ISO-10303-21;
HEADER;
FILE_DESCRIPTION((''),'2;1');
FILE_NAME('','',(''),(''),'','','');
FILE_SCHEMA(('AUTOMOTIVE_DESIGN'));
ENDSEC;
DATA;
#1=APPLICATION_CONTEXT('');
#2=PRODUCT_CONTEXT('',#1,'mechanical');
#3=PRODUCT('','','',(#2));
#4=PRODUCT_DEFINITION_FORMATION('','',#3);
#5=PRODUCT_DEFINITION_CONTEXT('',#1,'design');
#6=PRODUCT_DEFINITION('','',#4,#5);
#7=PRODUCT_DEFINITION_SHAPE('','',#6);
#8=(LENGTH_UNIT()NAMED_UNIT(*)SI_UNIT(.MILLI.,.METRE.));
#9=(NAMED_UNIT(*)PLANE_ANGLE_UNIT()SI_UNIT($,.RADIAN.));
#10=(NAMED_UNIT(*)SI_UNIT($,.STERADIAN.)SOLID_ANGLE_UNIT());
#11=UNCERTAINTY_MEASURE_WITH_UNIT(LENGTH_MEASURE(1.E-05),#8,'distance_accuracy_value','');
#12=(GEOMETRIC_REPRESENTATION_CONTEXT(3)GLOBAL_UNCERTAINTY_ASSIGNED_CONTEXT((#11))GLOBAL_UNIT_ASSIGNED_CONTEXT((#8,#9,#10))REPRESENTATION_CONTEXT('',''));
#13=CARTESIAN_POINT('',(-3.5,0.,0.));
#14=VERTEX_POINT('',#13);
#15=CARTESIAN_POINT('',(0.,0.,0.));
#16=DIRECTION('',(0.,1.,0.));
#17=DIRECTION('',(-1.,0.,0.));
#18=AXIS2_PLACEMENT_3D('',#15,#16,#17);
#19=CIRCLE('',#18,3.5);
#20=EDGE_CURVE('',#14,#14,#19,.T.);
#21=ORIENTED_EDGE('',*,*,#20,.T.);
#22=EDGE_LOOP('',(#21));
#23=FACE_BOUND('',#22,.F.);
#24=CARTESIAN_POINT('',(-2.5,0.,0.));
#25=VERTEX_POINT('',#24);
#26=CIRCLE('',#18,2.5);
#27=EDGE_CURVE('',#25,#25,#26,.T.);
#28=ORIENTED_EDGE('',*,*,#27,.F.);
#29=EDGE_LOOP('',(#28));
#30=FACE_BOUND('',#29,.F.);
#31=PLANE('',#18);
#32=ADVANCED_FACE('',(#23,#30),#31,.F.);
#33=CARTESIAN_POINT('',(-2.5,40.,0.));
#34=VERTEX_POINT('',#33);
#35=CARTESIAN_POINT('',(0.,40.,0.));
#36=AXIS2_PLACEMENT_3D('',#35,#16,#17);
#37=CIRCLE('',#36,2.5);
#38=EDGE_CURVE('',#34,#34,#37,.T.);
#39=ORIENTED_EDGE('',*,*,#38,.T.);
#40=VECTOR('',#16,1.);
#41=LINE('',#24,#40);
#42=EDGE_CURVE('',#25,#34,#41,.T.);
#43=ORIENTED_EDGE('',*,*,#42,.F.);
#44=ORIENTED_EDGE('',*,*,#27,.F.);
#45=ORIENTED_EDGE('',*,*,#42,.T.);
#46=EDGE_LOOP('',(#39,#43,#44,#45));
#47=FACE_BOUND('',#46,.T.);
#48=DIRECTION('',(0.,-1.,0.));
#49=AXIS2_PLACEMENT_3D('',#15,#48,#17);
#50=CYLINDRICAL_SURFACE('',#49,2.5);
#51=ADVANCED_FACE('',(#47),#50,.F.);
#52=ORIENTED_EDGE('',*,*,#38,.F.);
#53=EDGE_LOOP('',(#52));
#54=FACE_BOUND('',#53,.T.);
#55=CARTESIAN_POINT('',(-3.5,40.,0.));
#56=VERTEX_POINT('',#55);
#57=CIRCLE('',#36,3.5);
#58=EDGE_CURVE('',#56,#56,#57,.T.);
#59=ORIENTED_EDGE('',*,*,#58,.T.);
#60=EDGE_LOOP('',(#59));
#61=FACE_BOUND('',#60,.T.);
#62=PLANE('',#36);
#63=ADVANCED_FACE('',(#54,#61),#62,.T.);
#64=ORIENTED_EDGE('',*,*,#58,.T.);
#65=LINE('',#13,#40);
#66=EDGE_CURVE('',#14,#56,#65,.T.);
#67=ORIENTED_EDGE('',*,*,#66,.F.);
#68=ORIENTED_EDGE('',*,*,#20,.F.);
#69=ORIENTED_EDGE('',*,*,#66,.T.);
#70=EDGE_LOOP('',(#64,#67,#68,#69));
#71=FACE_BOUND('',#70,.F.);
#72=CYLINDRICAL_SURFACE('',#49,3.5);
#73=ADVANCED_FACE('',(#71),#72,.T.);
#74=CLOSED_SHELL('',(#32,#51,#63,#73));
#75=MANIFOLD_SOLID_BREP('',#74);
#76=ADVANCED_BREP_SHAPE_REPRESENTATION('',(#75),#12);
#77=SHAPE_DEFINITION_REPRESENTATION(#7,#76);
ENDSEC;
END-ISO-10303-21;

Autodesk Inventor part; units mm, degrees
ref_plane "YZ Plane" through (0, 0, 0) normal (1, 0, 0) x (0, 1, 0)
ref_plane "XZ Plane" through (0, 0, 0) normal (0, 1, 0) x (-1, 0, 0)
ref_plane "XY Plane" through (0, 0, 0) normal (0, 0, 1) x (1, 0, 0)
sketch "Sketch1" plane through (0, 0, 0) normal (0, 1, 0) x (-1, 0, 0)
  circle A0 centre (0, 0) radius 2.5
  circle A1 centre (0, 0) radius 3.5
  dimension "d0" = 5
  dimension "d1" = 7
extrude "Extrusion1" add sketch "Sketch1" along normal blind 40
properties part number "z_axis_coupling_silicone_hose" material "Rubber, Silicone"
